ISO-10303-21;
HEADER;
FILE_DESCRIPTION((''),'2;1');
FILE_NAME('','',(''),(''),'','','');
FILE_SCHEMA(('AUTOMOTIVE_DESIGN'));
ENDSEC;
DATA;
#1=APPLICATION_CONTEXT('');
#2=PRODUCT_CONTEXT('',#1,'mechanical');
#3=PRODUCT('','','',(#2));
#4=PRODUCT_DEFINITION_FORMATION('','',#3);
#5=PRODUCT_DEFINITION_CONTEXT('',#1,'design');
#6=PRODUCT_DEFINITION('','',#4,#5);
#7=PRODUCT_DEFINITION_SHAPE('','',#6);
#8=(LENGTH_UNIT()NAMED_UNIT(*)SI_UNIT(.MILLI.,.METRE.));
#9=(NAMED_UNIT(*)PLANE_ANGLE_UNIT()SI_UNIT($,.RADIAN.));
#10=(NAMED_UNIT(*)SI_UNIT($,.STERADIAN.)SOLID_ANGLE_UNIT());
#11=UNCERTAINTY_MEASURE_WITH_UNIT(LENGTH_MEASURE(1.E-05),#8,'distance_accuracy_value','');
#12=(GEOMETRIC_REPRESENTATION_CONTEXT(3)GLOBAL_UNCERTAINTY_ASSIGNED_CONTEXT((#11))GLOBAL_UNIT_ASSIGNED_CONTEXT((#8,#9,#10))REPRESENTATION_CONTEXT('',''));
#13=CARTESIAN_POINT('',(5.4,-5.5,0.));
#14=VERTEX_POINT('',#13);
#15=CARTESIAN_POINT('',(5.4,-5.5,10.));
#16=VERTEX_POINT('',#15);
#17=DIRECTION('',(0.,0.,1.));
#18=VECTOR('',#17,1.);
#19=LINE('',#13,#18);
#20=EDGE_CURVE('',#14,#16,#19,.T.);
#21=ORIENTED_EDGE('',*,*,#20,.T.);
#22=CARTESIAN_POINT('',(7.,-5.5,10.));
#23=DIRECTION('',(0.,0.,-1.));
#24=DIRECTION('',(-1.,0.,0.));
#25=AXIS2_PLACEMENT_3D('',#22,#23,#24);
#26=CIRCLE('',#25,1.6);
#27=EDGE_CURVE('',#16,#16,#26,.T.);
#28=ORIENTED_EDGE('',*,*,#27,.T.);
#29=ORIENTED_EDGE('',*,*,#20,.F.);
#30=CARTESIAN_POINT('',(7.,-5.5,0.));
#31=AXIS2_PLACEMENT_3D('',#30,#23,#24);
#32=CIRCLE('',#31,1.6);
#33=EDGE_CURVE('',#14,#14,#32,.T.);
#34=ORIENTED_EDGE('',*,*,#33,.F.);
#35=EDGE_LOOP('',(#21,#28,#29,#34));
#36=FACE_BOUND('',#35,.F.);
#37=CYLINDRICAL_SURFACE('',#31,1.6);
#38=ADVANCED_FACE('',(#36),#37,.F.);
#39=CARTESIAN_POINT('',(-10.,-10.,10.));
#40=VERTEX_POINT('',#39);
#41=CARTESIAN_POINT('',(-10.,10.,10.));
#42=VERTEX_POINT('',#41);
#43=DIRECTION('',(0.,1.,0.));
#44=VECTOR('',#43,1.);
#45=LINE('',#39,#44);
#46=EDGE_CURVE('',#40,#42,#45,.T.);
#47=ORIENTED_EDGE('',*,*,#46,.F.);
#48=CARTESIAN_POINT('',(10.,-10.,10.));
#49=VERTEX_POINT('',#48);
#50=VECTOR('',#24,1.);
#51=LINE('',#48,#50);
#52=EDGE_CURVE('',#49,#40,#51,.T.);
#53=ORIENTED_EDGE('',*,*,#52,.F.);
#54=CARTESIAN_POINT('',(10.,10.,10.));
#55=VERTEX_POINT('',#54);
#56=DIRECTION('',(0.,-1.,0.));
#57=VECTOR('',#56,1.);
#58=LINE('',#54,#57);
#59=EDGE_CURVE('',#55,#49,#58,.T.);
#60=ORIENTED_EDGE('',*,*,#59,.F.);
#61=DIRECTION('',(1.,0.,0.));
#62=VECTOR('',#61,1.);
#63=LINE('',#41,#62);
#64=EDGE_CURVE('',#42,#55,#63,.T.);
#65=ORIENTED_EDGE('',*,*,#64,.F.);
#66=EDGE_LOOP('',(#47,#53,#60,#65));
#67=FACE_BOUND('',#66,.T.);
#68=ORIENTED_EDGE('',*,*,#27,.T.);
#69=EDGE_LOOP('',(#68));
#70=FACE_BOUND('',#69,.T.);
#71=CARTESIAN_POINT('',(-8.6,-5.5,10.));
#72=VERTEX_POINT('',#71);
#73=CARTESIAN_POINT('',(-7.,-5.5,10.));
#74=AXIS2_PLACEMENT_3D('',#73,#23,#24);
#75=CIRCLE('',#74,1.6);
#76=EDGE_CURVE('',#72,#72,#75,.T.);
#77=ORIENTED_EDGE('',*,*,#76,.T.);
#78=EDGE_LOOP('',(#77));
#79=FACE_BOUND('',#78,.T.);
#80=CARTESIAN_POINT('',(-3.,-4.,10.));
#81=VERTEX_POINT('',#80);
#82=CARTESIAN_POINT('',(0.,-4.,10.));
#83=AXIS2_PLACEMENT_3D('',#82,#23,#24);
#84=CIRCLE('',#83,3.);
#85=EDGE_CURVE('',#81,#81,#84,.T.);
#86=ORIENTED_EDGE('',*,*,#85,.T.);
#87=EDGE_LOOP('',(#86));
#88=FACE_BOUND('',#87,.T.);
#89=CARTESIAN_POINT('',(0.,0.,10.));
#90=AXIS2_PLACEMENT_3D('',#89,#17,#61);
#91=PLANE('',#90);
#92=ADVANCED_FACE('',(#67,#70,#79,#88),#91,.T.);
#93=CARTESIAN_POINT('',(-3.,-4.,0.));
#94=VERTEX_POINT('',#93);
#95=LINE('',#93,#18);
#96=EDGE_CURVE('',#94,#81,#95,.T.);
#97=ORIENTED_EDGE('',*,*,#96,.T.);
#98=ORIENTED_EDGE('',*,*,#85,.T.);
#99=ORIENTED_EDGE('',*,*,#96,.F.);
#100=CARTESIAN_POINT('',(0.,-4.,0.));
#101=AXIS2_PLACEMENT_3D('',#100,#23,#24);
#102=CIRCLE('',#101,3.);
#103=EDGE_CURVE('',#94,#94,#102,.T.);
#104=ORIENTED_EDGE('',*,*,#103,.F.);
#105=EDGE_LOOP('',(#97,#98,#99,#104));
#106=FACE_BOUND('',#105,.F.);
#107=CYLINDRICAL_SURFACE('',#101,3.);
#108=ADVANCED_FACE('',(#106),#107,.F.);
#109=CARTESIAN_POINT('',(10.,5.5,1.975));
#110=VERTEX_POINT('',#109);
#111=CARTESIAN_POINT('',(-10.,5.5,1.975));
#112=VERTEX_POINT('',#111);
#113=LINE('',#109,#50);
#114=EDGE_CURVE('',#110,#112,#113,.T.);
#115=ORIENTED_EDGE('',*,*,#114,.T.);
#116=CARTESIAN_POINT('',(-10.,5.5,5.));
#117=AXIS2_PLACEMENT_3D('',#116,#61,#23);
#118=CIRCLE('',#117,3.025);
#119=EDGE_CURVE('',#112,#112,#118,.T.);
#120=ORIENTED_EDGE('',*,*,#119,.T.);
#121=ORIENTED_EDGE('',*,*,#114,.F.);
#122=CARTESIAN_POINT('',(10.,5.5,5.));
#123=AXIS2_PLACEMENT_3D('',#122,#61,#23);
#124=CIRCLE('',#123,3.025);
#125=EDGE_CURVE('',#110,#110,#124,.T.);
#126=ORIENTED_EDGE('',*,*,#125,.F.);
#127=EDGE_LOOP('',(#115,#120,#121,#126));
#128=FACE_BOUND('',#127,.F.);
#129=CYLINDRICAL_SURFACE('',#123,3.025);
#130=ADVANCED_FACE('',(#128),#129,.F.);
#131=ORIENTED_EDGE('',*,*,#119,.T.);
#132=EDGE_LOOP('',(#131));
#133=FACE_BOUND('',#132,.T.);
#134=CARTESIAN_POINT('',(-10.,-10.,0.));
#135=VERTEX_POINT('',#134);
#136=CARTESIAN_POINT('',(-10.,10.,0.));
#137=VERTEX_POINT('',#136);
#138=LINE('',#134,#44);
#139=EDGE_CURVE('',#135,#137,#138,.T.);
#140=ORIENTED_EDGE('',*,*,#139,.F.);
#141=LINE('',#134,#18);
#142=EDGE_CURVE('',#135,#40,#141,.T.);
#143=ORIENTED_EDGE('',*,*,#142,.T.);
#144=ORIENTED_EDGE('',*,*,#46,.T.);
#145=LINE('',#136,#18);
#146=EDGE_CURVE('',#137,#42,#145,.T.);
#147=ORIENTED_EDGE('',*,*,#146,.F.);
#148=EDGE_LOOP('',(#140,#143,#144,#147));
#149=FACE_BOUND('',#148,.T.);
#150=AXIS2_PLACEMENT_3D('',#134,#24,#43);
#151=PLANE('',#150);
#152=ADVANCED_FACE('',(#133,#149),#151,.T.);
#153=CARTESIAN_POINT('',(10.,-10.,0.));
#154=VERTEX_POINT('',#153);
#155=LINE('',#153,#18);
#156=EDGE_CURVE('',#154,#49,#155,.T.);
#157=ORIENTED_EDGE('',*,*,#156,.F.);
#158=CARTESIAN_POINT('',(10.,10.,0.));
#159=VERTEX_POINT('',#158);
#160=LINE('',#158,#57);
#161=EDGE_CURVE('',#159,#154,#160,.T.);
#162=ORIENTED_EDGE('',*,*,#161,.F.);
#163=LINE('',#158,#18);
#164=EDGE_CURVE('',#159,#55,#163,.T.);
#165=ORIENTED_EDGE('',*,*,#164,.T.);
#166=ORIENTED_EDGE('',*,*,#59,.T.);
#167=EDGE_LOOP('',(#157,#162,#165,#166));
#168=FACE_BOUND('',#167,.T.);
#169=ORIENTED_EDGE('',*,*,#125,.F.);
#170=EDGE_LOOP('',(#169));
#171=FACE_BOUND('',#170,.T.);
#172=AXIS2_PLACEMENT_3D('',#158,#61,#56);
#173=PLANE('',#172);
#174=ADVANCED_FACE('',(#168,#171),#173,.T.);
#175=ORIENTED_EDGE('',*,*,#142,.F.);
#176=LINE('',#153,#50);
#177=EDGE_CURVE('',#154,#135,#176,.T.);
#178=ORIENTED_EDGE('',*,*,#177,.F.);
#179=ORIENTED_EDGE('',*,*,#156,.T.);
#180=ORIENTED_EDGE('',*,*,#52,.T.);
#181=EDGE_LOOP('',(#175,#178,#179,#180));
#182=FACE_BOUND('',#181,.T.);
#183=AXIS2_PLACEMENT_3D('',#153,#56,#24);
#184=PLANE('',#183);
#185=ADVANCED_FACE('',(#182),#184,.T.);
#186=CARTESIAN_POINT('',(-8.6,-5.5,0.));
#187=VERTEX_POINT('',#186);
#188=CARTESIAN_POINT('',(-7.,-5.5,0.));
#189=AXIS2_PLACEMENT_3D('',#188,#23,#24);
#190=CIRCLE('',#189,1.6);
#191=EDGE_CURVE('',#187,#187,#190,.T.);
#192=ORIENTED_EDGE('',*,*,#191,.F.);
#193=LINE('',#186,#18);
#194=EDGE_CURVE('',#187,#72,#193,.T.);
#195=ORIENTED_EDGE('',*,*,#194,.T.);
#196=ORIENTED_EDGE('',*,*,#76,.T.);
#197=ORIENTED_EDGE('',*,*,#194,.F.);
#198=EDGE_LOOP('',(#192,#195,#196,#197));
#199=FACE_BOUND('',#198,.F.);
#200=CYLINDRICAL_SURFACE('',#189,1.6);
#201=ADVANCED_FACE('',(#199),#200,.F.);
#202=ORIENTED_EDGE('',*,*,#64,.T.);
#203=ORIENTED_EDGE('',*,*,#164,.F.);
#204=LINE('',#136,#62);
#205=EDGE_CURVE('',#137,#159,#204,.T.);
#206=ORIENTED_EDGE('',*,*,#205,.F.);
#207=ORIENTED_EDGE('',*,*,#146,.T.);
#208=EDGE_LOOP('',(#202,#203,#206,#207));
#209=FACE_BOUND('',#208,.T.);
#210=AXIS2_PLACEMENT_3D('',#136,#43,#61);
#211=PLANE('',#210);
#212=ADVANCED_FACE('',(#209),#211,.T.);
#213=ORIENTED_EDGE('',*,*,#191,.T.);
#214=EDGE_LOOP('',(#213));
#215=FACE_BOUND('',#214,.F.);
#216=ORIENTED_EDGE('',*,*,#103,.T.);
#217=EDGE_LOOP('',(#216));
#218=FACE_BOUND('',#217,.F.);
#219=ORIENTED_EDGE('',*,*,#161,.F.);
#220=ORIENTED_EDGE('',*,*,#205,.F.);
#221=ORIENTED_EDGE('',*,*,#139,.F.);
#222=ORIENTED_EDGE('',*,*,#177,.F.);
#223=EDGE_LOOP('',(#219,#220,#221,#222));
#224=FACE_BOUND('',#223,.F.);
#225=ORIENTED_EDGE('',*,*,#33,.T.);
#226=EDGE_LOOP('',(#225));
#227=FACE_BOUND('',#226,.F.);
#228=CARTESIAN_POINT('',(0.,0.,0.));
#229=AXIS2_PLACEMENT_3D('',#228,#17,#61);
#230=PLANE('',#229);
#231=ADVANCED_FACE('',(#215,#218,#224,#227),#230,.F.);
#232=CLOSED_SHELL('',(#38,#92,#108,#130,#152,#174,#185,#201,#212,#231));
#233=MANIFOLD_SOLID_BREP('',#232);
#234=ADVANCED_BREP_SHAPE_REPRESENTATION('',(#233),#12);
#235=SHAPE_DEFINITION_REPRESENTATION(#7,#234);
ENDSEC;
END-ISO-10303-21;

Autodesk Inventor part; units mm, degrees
ref_plane "YZ Plane" through (0, 0, 0) normal (1, 0, 0) x (0, 1, 0)
ref_plane "XZ Plane" through (0, 0, 0) normal (0, 1, 0) x (-1, 0, 0)
ref_plane "XY Plane" through (0, 0, 0) normal (0, 0, 1) x (1, 0, 0)
sketch "Sketch1" plane through (0, 0, 0) normal (0, 0, 1) x (1, 0, 0)
  line L0 (-10, 10) -> (10, 10)
  line L1 (10, 10) -> (10, -10)
  line L2 (10, -10) -> (-10, -10)
  line L3 (-10, -10) -> (-10, 10)
  point P0 (0, 0)
  dimension "d0" = 20
  dimension "d1" = 10
  dimension "d2" = 10
  dimension "d3" = 10
extrude "Extrusion1" add sketch "Sketch1" along normal blind 10
sketch "Sketch2" plane through (0, 0, 0) normal (0, 0, -1) x (-1, 0, 0)
  circle A0 centre (0, -4) radius 3
  line L0 (0, -4) -> (0, 0) construction
  circle A1 centre (-7, -5.5) radius 1.6
  circle A2 centre (7, -5.5) radius 1.6
  dimension "d6" = 6
  dimension "d7" = 4
  dimension "d8" = 3.2
  dimension "d9" = 7
  dimension "d10" = 5.5
sketch "Sketch3" plane through (10, -10, 0) normal (1, 0, 0) x (0, 0, -1)
  circle A0 centre (-5, 15.5) radius 3.025
  point P0 (0, 10)
  point P1 (0, 0)
  dimension "d11" = 6.05
  dimension "d12" = 5
  dimension "d13" = 15.5
extrude "Extrusion2" cut sketch "Sketch3" against normal blind 20
extrude "Extrusion3" cut sketch "Sketch2" against normal blind 10
properties part number "ENDER 3 HEATBLOCK" material "Aluminum 6061, Welded"
